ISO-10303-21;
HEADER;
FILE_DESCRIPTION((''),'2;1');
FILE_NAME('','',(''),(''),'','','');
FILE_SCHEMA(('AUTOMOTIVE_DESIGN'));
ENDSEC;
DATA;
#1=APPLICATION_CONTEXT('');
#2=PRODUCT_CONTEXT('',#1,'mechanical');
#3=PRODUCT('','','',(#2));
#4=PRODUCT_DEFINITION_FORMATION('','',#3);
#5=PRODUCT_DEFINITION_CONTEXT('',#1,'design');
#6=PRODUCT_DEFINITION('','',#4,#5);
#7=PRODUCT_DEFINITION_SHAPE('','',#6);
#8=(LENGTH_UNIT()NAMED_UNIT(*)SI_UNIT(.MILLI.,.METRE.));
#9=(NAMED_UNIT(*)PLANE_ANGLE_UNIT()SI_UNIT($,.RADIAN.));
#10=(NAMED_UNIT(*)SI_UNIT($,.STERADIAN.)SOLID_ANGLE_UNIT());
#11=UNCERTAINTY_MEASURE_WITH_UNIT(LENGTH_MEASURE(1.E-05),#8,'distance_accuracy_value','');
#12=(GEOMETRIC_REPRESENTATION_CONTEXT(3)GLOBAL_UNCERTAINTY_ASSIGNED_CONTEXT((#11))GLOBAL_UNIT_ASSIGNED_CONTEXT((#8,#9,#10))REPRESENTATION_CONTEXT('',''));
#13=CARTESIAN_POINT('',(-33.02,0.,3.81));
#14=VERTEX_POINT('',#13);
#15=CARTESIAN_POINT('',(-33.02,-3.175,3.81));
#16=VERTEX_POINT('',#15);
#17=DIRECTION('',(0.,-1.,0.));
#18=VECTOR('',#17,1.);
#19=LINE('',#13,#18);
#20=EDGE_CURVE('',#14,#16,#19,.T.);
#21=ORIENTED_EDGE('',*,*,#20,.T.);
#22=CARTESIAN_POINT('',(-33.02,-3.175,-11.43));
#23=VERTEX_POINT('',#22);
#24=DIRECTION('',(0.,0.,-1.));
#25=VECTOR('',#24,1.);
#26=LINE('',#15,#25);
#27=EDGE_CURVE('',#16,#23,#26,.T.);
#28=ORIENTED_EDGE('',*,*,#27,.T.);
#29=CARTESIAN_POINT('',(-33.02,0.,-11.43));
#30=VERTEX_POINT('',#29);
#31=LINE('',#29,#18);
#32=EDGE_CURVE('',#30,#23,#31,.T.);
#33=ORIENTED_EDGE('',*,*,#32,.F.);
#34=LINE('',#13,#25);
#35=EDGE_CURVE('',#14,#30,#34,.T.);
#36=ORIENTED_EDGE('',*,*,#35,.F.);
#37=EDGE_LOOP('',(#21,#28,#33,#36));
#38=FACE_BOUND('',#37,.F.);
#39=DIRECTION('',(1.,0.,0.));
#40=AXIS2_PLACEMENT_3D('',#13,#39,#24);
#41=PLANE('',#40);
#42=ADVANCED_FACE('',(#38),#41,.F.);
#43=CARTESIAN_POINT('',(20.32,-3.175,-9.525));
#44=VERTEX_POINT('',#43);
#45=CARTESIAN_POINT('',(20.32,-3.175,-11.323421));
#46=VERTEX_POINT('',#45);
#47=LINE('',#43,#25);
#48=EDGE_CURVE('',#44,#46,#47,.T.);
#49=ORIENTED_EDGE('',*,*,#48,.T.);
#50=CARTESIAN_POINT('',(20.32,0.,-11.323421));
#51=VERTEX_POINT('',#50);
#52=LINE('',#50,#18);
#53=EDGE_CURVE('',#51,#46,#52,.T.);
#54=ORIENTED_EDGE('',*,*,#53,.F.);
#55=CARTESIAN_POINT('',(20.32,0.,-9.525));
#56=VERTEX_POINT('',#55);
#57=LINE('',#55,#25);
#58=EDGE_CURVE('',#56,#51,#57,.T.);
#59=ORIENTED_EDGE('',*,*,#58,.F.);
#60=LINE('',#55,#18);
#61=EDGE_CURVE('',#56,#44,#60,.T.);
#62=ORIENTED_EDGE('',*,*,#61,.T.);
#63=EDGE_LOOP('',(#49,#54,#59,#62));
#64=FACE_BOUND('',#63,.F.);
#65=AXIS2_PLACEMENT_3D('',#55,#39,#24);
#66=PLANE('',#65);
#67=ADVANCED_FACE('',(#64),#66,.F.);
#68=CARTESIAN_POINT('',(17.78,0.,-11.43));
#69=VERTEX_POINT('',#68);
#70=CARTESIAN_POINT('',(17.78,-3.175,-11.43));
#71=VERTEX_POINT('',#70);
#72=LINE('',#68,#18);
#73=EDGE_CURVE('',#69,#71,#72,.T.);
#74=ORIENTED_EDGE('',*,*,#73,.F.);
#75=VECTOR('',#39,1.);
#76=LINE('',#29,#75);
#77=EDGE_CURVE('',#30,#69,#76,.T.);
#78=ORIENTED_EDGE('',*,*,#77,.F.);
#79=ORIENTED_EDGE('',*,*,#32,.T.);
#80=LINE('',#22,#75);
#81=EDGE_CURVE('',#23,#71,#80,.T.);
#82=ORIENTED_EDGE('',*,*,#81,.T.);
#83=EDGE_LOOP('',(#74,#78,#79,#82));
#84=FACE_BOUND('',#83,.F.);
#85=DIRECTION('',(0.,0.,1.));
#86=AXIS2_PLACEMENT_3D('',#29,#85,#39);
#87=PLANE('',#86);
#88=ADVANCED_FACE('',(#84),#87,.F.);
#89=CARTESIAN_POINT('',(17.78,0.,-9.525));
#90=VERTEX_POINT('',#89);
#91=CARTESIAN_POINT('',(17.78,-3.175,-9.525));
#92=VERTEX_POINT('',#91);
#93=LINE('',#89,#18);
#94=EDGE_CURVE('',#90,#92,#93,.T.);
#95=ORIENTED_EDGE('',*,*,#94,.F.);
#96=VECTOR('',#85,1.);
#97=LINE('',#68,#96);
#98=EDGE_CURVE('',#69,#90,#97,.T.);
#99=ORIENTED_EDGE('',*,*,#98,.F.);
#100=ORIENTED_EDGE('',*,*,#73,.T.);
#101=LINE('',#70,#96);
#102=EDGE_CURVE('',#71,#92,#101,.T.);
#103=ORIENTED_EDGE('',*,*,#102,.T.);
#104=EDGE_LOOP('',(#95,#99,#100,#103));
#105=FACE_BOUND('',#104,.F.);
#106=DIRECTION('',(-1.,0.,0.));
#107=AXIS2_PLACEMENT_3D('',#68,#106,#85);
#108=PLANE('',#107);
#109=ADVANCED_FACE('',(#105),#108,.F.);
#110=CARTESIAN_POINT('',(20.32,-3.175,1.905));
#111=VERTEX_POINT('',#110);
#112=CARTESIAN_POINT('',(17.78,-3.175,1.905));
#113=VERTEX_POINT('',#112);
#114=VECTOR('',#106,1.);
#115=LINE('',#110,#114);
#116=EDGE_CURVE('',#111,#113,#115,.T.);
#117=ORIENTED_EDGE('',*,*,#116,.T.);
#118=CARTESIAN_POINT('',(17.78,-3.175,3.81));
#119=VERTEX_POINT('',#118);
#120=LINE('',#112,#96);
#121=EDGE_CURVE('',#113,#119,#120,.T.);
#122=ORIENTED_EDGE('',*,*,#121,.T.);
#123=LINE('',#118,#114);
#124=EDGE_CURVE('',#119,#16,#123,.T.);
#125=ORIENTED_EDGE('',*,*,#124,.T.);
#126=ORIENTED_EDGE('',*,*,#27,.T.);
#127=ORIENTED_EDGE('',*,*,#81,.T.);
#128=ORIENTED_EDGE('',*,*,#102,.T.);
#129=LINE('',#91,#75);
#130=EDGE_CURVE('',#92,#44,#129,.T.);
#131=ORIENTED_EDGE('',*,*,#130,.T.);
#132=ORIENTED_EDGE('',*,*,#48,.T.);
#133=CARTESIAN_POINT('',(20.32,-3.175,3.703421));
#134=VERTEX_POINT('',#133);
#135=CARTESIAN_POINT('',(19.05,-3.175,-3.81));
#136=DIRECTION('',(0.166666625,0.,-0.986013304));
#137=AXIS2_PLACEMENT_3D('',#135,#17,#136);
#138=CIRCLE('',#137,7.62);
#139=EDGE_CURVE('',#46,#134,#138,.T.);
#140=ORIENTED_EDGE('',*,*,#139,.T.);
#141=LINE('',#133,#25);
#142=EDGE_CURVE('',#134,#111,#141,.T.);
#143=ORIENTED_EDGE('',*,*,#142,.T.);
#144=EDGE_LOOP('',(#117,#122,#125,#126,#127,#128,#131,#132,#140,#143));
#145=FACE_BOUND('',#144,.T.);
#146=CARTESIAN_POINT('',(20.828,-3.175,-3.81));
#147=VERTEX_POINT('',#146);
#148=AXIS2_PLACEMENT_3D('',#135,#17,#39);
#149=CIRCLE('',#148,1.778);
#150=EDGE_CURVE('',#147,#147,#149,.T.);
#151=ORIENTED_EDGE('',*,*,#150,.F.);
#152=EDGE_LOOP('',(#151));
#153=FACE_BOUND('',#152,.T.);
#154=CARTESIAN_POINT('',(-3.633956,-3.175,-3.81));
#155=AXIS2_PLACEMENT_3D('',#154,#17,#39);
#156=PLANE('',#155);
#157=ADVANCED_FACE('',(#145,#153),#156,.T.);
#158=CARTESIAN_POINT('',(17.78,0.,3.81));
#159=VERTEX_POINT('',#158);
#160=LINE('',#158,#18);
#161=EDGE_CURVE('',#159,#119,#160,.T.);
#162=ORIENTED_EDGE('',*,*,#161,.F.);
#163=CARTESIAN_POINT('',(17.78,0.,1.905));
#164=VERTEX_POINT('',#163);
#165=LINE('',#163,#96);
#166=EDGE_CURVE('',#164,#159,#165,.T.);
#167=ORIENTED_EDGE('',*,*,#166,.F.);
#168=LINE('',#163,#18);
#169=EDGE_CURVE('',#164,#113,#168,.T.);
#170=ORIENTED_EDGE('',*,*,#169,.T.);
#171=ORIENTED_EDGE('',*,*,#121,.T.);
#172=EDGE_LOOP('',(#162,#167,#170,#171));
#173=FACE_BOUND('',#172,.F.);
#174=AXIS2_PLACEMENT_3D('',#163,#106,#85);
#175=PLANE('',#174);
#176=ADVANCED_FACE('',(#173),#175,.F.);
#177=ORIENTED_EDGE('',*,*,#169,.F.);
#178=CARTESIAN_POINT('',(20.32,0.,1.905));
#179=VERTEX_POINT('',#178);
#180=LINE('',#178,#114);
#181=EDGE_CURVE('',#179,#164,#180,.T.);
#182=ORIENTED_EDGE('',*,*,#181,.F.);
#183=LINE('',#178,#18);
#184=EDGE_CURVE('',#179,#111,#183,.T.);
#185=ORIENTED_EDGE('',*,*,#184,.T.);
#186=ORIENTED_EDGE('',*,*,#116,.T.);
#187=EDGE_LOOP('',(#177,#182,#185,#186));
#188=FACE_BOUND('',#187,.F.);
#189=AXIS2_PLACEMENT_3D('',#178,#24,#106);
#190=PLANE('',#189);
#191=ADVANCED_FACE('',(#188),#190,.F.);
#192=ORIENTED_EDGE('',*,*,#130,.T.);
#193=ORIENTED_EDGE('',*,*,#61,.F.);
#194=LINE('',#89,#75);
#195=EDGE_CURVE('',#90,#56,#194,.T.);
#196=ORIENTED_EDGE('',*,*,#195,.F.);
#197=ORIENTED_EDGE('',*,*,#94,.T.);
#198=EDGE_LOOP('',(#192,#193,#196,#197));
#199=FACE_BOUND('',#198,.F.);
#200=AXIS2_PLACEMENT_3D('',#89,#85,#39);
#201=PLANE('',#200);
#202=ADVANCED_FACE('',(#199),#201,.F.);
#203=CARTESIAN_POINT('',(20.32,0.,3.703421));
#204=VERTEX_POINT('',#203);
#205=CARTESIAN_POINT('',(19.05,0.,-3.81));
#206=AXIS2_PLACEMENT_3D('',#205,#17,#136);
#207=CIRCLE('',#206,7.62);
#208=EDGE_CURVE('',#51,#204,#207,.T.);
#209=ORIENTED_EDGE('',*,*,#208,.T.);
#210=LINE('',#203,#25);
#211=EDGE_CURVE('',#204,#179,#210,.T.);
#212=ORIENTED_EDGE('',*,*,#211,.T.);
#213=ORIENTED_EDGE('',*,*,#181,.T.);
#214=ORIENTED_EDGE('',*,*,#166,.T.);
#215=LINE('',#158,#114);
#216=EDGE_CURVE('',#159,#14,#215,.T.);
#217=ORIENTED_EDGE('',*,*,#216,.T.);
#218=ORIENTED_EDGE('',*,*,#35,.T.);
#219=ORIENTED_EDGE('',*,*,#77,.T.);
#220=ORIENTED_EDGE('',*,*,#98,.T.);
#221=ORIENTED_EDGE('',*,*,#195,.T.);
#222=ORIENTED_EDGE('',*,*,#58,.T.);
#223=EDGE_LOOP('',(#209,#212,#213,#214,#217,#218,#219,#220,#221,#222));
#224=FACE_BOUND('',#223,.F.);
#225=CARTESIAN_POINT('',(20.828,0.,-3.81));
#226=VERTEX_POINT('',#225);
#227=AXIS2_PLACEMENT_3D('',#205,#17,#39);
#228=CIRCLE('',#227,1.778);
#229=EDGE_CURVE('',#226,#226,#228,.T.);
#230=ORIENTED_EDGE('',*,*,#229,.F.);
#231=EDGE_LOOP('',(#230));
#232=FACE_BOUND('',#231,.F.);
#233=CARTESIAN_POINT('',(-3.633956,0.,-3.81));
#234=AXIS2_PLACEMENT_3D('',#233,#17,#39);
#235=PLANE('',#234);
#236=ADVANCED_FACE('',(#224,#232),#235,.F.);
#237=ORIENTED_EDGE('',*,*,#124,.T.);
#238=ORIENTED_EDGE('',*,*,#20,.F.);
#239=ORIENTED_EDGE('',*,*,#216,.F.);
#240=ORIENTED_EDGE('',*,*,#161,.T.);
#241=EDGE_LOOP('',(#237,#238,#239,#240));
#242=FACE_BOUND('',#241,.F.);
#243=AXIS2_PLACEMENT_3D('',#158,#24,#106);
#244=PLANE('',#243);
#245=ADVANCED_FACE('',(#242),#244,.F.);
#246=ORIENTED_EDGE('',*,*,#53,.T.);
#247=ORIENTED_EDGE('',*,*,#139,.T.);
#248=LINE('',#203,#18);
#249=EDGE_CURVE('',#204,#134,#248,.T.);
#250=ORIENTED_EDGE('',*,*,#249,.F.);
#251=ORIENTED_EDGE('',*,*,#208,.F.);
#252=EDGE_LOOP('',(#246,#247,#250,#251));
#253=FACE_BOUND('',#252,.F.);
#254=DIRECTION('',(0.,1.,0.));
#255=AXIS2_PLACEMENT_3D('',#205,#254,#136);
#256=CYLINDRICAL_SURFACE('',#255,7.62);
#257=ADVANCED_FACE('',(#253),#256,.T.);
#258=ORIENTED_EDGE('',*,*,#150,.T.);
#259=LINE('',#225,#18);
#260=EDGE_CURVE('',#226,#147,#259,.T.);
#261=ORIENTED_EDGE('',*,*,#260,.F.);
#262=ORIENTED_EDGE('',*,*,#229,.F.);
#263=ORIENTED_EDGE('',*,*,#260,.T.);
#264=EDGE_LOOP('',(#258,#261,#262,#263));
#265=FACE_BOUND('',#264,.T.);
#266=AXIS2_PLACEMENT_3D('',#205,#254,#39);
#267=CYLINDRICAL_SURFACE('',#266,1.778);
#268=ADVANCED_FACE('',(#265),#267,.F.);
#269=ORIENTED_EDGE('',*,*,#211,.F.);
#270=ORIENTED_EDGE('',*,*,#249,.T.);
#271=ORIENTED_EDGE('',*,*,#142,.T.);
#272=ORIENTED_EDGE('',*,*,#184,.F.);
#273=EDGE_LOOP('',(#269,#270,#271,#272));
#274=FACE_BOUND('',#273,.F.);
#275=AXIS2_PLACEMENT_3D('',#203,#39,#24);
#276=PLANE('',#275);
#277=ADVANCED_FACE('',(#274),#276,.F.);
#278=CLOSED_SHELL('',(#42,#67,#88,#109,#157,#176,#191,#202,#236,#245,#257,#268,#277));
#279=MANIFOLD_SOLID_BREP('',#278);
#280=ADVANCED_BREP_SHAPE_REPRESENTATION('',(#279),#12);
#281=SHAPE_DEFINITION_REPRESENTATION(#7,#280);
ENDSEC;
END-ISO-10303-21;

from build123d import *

# Parameters (mm, degrees)
F0_R     = 1.778
F1_DEPTH = 3.175


with BuildPart() as f1:
    # F0 (on Front) → F1 (new body)
    with BuildSketch(Plane.XZ):
        with BuildLine():
            Line((17.78, 1.905), (17.78, 3.81))
            Line((17.78, 3.81), (-33.02, 3.81))
            Line((-33.02, 3.81), (-33.02, -11.43))
            Line((-33.02, -11.43), (17.78, -11.43))
            Line((17.78, -11.43), (17.78, -9.525))
            Line((17.78, -9.525), (20.32, -9.525))
            Line((20.32, -9.525), (20.32, -11.323421))
            ThreePointArc((20.32, -11.323421), (26.67, -3.81), (20.32, 3.703421))
            Line((20.32, 3.703421), (20.32, 1.905))
            Line((20.32, 1.905), (17.78, 1.905))
        make_face()
        with Locations((19.05, -3.81)):
            Circle(F0_R, mode=Mode.SUBTRACT)
    extrude(amount=F1_DEPTH)


solid = f1.part
